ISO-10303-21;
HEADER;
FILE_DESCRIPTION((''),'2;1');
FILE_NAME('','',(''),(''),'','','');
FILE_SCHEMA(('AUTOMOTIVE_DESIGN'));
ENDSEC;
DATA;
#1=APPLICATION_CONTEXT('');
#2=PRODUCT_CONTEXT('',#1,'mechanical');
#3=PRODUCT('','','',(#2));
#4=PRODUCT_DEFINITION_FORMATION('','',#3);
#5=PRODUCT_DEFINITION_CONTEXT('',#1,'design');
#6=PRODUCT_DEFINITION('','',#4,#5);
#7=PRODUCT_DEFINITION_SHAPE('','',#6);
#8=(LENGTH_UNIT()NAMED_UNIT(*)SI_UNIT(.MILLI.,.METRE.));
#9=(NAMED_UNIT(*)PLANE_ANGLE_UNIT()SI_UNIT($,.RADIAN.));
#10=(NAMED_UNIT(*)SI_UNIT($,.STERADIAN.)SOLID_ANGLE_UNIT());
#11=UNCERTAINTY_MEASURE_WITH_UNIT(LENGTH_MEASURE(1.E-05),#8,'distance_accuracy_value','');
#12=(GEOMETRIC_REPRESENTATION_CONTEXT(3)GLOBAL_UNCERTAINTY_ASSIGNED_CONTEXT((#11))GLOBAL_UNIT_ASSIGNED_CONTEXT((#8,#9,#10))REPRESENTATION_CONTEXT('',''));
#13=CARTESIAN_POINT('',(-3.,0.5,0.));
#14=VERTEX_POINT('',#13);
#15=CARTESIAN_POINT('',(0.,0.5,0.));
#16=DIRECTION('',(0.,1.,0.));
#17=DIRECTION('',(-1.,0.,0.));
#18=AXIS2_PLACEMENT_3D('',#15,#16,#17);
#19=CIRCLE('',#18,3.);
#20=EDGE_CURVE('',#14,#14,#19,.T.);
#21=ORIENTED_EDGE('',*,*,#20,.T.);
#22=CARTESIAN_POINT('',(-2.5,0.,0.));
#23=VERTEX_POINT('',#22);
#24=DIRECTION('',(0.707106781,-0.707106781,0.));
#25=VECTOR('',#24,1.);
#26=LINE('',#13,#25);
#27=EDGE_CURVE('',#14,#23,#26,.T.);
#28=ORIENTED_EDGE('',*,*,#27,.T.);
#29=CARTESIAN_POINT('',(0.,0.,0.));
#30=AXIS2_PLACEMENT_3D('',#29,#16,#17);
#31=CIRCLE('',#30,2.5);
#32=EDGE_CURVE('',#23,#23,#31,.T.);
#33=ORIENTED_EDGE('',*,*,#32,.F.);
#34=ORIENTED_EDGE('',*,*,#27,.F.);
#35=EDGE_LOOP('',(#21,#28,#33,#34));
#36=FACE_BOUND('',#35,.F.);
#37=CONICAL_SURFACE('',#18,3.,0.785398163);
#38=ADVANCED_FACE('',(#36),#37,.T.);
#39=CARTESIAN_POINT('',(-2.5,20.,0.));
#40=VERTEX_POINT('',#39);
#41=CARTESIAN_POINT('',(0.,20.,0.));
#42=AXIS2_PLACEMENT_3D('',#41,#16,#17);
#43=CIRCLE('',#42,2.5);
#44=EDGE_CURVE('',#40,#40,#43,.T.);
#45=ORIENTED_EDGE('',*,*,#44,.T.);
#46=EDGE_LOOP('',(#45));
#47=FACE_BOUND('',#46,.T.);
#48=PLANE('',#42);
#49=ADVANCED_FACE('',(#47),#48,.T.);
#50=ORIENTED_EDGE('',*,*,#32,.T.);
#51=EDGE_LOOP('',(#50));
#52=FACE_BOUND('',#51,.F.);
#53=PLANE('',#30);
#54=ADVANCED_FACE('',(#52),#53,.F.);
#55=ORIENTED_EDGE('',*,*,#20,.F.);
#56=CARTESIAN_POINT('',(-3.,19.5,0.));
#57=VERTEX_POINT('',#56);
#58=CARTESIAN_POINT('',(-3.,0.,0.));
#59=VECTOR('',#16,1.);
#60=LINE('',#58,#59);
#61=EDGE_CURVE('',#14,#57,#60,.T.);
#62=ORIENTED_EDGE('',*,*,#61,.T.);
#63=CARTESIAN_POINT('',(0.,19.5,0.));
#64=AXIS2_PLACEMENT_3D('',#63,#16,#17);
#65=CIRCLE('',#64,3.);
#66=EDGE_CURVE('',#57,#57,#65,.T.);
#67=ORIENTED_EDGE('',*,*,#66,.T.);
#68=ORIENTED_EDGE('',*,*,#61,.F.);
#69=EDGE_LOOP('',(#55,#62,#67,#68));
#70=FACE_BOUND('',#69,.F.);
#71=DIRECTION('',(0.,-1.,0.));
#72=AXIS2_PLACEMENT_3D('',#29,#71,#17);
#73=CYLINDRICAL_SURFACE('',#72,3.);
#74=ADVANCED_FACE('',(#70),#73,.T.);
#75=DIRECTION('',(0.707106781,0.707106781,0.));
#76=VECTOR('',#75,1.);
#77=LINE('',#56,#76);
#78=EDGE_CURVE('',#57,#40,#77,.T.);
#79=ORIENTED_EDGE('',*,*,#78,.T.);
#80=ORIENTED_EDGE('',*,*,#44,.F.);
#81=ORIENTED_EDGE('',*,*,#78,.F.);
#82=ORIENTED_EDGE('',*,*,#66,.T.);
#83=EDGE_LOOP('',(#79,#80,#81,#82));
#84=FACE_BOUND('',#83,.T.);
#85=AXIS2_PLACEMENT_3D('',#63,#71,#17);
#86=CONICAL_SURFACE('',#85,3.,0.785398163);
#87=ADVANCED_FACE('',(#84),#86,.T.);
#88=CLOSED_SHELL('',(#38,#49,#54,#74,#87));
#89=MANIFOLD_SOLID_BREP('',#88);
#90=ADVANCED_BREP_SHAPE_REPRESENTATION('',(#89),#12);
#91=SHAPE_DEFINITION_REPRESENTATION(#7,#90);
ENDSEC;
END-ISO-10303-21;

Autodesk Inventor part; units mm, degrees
ref_plane "YZ Plane" through (0, 0, 0) normal (1, 0, 0) x (0, 1, 0)
ref_plane "XZ Plane" through (0, 0, 0) normal (0, 1, 0) x (-1, 0, 0)
ref_plane "XY Plane" through (0, 0, 0) normal (0, 0, 1) x (1, 0, 0)
sketch "Sketch1" plane through (0, 0, 0) normal (0, 1, 0) x (-1, 0, 0)
  circle A0 centre (0, 0) radius 3
  dimension "d0" = 6
extrude "Extrusion1" add sketch "Sketch1" along normal blind 20
chamfer "Chamfer1" distance 0.5 angle 45 2 edges at (3, 20, 0) (3, 0, 0)
properties part number "pin_6_20"
